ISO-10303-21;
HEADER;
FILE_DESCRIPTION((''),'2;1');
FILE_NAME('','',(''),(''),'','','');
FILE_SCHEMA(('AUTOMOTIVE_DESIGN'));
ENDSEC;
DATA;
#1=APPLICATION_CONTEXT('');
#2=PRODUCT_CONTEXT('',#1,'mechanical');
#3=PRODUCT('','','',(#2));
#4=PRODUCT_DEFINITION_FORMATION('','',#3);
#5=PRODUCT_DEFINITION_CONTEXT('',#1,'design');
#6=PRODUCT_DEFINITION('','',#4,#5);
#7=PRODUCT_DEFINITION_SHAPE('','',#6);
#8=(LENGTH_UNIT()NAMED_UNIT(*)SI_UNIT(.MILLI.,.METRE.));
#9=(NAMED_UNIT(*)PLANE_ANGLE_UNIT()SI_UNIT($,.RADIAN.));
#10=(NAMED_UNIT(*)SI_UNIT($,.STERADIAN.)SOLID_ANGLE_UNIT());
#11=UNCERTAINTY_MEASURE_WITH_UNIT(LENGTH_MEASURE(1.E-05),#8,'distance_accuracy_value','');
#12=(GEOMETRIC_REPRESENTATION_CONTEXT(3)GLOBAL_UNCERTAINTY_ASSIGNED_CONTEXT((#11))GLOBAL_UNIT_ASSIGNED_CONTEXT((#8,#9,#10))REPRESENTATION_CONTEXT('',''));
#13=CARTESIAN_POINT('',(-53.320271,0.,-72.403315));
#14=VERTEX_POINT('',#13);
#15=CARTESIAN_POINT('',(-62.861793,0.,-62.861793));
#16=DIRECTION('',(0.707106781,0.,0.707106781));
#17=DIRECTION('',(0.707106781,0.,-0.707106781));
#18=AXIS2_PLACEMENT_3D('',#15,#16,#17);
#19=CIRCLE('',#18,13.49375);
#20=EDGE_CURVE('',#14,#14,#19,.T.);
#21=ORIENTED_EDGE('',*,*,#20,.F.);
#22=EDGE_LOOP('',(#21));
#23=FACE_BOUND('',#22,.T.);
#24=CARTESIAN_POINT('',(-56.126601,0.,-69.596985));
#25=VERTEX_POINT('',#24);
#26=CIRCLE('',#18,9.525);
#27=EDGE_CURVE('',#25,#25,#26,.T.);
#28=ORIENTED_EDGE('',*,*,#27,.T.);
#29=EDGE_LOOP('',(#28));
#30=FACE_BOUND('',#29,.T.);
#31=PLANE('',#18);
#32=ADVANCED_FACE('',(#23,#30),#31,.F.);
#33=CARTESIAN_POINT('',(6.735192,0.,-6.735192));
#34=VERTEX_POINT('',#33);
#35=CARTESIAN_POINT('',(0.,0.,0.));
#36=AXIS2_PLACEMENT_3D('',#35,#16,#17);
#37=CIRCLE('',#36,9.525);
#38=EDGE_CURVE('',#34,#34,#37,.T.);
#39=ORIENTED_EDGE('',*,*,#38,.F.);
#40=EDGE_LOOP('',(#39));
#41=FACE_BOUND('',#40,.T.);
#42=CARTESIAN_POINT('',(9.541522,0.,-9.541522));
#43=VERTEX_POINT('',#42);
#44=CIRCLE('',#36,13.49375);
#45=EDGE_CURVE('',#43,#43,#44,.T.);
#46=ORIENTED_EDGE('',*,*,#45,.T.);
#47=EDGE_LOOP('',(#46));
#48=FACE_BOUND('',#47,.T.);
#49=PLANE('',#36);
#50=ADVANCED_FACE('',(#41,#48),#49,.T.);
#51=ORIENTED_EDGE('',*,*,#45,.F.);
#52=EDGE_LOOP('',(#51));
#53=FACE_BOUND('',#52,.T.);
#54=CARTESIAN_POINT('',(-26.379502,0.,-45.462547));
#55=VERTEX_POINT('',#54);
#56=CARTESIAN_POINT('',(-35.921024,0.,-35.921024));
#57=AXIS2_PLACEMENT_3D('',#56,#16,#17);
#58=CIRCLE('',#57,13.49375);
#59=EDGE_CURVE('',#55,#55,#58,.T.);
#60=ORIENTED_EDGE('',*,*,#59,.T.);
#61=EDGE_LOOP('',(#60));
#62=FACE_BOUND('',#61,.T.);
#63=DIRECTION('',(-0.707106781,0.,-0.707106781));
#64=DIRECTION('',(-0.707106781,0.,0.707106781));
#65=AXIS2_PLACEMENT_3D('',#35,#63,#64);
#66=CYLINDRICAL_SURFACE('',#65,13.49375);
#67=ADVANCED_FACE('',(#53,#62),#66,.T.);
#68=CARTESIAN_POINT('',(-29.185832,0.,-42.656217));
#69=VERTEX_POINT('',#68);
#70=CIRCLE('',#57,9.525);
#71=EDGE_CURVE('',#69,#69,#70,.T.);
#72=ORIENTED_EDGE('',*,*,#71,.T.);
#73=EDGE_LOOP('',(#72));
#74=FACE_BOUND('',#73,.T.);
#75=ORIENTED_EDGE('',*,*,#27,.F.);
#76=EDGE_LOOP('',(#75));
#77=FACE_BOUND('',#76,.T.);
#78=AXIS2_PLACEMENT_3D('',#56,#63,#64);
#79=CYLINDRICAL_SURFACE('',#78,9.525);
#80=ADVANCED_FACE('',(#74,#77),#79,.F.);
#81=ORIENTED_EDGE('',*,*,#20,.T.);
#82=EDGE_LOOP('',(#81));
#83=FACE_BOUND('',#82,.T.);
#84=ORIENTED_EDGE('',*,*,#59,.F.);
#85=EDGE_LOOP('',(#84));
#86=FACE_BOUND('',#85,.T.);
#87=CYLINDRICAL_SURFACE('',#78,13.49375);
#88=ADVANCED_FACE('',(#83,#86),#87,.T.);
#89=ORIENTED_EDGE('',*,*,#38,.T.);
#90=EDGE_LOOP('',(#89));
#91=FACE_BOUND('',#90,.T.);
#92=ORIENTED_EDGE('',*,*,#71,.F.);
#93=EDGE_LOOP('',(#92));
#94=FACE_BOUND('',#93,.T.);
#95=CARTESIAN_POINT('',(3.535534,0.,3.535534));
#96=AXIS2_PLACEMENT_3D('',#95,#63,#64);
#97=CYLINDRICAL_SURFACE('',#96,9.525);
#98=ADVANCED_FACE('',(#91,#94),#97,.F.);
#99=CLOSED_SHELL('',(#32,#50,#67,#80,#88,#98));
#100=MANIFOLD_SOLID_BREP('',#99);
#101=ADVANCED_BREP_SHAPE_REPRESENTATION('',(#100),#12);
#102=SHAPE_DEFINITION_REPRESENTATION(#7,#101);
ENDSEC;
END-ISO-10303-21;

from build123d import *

# Parameters (mm, degrees)
SWEEP1_PROFILE_R     = 13.49375
CUT_SWEEP1_PROFILE_R = 9.525


with BuildPart() as part:
    # Sweep1: sweep along a path in Sketch1
    with BuildLine(Plane(origin=(0, 0, 0), x_dir=(1, 0, 0), z_dir=(0, 1, 0))) as sweep1_path:
        Line((0, 0), (-35.921024484, 35.921024484))
        Line((-35.921024484, 35.921024484), (-62.861792847, 62.861792847))
    # Sweep1 profile (on start of the path) → Sweep1 (sweep)
    with BuildSketch(Plane(origin=(0, 0, 0), x_dir=(-0.7071067811865476, 0, 0.7071067811865476), z_dir=(-0.7071067811865476, 0, -0.7071067811865476))):
        Circle(SWEEP1_PROFILE_R)
    sweep(path=sweep1_path.line)

    # Cut-Sweep1: sweep along a path in Sketch1<3>
    with BuildLine(Plane(origin=(0, 0, 0), x_dir=(1, 0, 0), z_dir=(0, 1, 0))) as cut_sweep1_path:
        Line((0, 0), (-35.921024484, 35.921024484))
        Line((-35.921024484, 35.921024484), (-62.861792847, 62.861792847))
    # Cut-Sweep1 profile (on start of the path) → Cut-Sweep1 (sweep, cut)
    with BuildSketch(Plane(origin=(0, 0, 0), x_dir=(-0.7071067811865476, 0, 0.7071067811865476), z_dir=(-0.7071067811865476, 0, -0.7071067811865476))):
        Circle(CUT_SWEEP1_PROFILE_R)
    sweep(path=cut_sweep1_path.line, mode=Mode.SUBTRACT)


solid = part.part
